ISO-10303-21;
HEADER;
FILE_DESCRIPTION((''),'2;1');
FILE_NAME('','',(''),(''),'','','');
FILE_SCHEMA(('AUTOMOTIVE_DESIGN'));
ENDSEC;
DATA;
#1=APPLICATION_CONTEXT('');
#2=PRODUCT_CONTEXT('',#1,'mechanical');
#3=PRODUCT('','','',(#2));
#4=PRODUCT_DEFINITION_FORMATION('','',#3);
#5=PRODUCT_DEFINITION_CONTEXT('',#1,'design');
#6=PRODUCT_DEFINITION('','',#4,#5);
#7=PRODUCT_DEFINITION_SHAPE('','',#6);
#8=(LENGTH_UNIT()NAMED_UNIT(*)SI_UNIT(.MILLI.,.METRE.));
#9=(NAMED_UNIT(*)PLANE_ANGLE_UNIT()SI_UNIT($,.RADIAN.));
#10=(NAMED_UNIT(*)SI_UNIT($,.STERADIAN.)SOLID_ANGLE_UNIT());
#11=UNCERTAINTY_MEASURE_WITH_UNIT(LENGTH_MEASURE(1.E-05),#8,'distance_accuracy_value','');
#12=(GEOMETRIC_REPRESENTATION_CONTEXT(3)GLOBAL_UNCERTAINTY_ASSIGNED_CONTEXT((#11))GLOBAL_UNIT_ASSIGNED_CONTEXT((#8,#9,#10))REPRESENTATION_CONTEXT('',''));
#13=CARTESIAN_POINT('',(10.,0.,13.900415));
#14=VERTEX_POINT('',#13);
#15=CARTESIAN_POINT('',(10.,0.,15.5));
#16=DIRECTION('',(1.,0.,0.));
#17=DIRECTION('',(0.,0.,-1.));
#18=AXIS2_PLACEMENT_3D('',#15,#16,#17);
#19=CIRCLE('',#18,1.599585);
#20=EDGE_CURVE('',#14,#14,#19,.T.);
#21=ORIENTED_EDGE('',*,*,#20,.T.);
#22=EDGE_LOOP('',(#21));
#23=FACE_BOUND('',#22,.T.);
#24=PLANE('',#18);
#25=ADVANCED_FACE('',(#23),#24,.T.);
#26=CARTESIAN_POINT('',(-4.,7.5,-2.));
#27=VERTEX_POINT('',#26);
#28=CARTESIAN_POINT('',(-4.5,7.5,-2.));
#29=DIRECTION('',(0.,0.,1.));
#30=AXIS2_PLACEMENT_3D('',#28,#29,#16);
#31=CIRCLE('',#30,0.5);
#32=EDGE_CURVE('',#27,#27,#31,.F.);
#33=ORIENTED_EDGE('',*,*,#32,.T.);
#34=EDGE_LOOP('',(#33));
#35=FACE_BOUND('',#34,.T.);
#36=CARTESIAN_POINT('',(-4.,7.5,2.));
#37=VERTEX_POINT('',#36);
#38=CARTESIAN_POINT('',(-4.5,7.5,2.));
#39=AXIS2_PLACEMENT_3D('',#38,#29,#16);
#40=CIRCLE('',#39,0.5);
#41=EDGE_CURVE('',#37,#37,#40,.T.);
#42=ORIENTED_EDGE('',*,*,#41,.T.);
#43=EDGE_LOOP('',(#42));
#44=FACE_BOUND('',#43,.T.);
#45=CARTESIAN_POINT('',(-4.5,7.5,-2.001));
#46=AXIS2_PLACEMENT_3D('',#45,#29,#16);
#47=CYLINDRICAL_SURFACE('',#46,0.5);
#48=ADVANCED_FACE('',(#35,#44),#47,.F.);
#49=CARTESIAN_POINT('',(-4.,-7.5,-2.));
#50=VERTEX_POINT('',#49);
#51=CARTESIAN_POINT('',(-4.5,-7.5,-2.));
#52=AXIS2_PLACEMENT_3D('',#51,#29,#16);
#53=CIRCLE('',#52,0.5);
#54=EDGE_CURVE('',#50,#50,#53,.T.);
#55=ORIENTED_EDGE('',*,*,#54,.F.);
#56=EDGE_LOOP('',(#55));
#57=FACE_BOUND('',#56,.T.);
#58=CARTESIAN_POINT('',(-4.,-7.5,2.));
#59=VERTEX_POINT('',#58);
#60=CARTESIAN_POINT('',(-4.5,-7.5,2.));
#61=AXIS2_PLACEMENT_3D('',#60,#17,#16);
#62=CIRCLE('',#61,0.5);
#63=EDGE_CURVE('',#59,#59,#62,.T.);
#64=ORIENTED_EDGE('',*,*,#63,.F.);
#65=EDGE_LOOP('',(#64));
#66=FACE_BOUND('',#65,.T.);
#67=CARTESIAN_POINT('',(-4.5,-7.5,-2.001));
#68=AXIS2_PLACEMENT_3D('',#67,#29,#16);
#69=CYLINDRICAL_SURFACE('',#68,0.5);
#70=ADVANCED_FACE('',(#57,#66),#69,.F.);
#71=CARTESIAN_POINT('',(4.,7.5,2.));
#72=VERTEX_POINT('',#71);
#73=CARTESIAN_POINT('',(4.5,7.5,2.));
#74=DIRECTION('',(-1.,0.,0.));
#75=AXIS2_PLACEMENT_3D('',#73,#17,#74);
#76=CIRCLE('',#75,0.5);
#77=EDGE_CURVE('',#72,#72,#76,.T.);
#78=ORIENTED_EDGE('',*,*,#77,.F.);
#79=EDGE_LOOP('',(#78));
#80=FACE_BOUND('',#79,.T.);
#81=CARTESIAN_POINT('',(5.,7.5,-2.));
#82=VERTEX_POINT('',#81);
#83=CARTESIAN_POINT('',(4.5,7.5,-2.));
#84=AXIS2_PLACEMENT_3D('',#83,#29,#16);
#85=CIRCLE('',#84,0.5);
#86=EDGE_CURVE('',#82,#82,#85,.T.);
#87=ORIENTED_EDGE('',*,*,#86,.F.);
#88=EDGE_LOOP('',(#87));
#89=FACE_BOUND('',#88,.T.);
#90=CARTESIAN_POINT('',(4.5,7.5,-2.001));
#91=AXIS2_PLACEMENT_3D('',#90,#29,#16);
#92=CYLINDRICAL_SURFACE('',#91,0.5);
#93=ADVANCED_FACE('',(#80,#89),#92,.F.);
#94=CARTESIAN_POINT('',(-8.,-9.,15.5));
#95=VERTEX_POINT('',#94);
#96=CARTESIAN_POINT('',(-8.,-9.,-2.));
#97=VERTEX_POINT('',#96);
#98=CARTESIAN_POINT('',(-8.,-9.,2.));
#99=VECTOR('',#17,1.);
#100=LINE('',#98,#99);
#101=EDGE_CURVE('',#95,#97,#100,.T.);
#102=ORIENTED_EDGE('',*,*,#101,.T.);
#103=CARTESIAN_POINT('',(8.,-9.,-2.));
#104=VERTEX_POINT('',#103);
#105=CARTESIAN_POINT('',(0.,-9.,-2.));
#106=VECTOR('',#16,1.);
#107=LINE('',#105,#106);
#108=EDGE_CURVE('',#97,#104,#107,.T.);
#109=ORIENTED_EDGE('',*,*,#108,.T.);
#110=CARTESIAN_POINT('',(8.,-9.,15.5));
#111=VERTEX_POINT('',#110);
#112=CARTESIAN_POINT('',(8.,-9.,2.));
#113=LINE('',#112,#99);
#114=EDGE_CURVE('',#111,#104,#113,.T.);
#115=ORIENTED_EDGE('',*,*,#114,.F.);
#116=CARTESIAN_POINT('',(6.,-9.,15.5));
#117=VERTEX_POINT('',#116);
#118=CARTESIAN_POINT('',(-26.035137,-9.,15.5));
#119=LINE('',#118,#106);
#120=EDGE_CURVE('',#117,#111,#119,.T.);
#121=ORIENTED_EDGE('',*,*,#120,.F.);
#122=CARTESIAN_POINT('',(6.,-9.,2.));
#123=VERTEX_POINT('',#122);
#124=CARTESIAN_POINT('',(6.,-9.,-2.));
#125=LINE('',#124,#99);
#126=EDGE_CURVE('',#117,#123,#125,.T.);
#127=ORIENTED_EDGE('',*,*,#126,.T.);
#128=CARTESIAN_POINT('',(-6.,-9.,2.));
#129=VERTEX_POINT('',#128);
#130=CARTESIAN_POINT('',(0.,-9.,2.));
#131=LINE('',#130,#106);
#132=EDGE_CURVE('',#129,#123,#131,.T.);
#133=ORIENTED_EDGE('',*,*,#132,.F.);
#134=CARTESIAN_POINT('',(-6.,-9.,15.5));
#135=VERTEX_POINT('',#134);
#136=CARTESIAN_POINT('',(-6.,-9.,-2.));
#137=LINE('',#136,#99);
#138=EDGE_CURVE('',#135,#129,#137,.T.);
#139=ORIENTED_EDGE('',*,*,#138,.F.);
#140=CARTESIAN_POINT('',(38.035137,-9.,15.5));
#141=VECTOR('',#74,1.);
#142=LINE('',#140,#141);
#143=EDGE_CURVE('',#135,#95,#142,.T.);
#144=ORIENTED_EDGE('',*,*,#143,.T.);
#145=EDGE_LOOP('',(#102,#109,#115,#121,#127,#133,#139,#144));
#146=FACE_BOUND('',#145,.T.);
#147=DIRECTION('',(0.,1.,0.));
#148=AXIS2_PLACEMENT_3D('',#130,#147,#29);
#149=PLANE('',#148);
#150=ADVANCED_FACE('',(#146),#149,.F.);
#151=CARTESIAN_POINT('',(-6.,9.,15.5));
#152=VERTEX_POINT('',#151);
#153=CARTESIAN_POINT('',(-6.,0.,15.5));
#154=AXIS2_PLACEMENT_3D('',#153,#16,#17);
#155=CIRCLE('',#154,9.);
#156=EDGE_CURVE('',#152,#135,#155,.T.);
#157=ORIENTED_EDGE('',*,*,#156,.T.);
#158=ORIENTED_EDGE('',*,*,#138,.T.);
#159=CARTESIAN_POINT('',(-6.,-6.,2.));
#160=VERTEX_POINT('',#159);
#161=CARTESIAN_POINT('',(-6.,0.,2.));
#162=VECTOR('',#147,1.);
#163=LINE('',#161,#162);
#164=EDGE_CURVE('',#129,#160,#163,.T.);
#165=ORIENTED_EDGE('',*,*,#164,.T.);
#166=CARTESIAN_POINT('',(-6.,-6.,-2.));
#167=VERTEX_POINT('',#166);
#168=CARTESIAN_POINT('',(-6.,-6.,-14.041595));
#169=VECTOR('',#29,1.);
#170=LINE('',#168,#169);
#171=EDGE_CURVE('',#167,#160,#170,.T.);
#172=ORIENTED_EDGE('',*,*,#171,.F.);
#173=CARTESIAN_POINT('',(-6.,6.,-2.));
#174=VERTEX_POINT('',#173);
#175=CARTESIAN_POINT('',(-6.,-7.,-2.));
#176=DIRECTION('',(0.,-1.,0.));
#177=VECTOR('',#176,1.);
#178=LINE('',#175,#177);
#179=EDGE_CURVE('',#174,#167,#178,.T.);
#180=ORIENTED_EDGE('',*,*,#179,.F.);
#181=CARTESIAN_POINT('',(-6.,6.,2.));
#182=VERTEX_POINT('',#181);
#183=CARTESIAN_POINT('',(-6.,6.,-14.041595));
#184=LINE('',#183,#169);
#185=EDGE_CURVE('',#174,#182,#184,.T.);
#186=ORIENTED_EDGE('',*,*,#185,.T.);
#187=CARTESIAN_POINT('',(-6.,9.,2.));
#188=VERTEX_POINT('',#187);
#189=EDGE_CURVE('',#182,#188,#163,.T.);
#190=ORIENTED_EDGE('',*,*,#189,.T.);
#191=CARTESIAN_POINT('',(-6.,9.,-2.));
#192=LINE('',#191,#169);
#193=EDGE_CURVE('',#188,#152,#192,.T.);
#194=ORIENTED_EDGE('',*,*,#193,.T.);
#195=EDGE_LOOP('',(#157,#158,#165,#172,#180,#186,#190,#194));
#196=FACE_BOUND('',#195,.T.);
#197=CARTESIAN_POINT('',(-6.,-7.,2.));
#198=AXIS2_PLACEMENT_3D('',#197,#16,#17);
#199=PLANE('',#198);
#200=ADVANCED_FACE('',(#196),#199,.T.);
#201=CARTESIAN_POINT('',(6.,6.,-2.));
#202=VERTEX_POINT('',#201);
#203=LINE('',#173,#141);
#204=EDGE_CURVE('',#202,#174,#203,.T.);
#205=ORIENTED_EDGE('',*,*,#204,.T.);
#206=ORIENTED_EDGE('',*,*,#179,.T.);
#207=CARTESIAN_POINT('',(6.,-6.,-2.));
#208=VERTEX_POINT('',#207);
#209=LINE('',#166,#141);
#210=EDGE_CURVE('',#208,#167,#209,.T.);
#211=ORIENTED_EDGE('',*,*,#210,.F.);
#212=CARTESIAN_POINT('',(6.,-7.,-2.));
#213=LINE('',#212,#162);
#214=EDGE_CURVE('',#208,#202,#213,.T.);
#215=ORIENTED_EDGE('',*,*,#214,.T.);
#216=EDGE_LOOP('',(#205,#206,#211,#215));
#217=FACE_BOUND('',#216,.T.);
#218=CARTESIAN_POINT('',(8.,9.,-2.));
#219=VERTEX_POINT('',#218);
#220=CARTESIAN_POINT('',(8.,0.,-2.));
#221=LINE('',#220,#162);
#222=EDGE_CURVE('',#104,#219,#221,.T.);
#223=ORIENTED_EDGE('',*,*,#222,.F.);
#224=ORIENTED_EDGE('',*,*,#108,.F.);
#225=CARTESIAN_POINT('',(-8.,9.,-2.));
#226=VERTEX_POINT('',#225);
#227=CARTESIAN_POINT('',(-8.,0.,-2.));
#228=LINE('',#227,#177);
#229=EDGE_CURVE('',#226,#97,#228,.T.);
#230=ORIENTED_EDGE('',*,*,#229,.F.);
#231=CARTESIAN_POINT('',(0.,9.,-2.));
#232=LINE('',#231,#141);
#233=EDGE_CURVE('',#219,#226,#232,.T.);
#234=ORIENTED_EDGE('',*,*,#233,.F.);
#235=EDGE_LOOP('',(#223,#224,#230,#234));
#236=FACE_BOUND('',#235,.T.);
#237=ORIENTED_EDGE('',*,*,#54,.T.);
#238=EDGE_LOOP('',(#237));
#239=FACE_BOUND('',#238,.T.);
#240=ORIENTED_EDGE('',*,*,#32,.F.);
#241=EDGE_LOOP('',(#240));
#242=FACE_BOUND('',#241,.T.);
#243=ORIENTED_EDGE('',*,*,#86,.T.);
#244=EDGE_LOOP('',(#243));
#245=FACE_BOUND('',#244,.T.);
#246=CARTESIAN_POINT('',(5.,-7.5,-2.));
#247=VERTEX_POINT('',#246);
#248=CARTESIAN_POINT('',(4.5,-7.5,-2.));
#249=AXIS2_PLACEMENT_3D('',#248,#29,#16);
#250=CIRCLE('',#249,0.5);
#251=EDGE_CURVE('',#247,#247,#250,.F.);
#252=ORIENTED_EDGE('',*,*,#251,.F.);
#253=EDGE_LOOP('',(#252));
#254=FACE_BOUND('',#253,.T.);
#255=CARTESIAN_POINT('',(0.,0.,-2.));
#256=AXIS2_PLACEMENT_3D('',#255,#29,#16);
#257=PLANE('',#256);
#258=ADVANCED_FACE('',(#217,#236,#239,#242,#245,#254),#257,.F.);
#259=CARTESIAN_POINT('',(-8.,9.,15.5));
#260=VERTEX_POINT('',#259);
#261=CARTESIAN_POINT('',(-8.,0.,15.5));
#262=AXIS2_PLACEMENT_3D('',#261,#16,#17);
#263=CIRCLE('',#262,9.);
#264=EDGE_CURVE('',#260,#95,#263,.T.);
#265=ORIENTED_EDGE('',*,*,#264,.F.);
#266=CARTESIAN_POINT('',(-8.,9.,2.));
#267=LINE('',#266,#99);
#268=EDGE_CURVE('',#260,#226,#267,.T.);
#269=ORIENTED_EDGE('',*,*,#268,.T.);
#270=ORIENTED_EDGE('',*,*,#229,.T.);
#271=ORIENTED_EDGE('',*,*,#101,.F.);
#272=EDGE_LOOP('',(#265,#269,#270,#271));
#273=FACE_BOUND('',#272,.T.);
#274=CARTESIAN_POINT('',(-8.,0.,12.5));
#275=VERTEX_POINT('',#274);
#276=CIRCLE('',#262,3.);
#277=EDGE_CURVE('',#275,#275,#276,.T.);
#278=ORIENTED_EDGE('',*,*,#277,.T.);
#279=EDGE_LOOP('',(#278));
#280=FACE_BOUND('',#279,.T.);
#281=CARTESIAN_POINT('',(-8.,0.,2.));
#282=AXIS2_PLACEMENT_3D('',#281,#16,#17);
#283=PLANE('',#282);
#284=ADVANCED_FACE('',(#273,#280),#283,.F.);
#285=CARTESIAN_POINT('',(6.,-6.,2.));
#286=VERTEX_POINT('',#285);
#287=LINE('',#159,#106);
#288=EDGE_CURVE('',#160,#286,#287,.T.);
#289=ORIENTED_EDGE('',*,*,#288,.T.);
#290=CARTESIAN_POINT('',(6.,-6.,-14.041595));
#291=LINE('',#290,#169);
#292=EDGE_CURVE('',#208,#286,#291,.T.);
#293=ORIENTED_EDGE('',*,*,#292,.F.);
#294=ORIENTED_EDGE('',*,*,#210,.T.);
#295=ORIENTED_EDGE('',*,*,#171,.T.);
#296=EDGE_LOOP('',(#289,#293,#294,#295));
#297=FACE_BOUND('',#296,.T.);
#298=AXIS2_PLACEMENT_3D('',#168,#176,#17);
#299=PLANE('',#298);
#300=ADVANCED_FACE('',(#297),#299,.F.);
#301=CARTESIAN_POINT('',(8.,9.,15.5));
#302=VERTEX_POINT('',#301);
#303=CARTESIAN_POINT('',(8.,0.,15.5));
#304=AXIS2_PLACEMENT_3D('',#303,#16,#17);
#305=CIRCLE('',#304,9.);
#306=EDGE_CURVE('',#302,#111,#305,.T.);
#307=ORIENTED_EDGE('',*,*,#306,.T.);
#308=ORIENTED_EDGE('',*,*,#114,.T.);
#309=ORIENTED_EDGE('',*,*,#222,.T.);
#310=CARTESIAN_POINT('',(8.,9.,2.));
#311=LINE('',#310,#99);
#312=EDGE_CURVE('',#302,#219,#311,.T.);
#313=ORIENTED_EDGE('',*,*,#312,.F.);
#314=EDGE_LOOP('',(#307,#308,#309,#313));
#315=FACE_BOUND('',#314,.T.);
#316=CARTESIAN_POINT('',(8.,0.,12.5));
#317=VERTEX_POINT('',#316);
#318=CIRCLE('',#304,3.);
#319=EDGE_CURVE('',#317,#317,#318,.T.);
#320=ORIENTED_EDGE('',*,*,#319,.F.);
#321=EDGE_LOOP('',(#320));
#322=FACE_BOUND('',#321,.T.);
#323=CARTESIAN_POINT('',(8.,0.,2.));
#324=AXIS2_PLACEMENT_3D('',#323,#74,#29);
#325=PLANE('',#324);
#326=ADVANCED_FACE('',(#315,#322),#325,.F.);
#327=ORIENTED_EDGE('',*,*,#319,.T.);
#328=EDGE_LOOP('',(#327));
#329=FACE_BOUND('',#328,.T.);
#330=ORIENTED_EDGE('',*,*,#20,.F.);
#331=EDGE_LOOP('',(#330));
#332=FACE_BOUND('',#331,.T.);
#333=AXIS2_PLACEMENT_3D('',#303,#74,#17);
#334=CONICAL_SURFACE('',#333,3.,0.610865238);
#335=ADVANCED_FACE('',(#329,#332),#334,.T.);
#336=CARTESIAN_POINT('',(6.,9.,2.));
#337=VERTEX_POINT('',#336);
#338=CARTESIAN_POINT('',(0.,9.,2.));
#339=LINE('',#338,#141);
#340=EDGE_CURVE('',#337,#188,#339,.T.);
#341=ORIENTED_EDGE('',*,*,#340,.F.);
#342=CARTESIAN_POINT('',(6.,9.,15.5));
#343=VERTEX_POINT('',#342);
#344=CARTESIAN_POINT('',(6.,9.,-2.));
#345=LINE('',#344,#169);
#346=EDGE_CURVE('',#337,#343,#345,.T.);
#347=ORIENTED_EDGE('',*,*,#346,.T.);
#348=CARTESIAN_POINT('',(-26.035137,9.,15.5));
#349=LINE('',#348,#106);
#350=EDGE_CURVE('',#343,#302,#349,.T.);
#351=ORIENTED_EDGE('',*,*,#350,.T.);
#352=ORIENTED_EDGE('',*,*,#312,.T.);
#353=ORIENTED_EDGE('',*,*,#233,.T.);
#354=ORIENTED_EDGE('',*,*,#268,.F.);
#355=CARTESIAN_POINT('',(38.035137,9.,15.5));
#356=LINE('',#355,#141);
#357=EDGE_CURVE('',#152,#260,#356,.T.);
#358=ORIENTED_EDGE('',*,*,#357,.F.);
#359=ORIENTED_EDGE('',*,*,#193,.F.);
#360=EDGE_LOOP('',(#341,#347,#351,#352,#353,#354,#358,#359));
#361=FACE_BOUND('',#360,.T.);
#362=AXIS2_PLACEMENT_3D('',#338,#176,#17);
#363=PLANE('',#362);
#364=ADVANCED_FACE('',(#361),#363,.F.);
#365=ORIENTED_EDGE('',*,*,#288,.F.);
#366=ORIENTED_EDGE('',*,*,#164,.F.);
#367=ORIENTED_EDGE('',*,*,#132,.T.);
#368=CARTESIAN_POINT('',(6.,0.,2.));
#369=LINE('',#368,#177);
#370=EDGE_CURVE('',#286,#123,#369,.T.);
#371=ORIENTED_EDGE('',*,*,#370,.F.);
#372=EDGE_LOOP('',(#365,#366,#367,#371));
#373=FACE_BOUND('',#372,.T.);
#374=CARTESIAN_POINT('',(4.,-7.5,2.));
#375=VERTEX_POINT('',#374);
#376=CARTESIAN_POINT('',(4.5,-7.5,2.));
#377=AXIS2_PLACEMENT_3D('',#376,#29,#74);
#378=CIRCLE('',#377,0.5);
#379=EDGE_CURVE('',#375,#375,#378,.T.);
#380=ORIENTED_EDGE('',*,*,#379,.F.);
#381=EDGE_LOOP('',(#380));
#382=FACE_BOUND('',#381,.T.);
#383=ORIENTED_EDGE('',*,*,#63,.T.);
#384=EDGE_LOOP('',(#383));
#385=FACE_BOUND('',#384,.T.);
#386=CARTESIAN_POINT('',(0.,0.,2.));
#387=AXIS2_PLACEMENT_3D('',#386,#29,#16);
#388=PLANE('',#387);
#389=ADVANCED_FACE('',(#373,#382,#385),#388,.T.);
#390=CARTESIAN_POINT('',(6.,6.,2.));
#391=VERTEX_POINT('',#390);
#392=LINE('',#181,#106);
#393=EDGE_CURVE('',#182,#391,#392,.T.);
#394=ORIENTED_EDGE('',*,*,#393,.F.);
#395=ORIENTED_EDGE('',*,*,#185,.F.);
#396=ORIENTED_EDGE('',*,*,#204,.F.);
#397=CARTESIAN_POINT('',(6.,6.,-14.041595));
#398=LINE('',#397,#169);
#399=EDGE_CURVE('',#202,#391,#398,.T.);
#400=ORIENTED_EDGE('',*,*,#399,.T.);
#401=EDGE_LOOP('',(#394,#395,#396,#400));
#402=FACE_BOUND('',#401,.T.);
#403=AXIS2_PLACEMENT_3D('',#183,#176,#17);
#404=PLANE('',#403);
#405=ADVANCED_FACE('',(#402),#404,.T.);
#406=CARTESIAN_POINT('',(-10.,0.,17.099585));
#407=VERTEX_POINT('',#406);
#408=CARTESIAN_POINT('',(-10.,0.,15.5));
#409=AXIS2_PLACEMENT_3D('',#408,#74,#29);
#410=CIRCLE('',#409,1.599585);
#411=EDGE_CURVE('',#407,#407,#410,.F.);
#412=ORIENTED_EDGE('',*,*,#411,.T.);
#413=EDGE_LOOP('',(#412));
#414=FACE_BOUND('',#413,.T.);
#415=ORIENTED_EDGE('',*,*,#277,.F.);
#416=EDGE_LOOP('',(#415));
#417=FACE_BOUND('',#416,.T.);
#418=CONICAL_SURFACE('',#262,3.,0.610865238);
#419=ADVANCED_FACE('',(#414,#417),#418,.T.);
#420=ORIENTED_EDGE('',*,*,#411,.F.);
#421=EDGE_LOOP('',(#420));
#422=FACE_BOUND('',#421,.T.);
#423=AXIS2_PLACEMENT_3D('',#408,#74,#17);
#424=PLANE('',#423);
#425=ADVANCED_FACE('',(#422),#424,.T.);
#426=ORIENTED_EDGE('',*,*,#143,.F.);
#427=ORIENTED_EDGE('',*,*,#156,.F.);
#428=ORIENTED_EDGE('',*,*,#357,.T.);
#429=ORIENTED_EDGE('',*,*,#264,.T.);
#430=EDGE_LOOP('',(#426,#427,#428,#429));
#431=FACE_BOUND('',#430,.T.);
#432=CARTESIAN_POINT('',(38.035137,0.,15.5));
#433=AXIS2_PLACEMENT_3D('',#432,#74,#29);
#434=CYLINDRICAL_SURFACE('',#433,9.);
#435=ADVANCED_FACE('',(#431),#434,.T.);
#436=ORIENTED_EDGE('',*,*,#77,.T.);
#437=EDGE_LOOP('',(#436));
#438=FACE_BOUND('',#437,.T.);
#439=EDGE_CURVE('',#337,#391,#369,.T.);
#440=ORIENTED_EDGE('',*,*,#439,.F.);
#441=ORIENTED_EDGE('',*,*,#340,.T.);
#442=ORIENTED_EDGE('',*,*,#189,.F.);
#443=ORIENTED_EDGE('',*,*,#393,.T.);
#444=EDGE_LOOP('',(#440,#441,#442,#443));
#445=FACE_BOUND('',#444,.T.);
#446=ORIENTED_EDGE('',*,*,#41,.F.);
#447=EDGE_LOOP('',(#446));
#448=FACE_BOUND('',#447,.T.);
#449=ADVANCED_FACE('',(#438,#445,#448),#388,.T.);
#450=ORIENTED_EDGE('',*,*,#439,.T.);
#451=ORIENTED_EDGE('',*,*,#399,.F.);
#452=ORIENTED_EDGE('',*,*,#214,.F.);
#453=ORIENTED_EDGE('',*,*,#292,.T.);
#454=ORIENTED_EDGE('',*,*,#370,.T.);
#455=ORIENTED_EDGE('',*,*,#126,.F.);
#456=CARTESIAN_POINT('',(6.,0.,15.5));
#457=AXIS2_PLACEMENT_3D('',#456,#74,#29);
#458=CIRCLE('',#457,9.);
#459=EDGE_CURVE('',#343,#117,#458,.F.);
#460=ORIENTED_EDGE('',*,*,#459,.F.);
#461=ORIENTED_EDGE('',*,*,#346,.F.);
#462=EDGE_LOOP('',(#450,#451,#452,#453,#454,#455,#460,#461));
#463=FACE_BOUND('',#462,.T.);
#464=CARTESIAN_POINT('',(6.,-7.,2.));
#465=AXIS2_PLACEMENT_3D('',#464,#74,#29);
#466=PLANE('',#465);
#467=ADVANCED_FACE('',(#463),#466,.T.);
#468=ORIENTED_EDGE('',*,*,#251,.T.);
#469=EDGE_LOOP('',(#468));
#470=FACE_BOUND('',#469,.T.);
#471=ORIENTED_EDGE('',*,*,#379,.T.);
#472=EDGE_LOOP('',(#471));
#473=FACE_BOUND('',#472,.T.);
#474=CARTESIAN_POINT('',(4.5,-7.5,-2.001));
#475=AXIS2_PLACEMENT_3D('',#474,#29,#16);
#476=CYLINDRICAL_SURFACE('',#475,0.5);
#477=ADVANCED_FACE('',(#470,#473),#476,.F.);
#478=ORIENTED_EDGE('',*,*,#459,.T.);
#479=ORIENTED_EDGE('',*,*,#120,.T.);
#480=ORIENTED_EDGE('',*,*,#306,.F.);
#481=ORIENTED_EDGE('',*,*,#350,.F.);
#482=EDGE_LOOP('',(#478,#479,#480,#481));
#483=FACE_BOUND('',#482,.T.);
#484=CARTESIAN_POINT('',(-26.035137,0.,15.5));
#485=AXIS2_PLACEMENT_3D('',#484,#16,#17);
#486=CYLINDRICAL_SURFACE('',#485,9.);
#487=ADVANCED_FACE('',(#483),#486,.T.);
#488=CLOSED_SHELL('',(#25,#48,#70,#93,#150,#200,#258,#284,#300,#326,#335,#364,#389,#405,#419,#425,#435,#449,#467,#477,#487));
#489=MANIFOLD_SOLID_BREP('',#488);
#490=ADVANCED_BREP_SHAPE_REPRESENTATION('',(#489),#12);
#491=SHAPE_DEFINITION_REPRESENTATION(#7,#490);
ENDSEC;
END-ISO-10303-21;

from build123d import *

# Parameters (mm, degrees)
SKETCH1_W                                  = 16
SKETCH1_H                                  = 18
SKETCH1_W_2                                = 12
SKETCH1_H_2                                = 14
EXTRUDE_THIN1_DEPTH                        = 2
BOSS_EXTRUDE1_DEPTH                        = 2
SKETCH3_R                                  = 3
BOSS_EXTRUDE2_DEPTH                        = 2
BOSS_EXTRUDE2_TAPER                        = 35
SKETCH13_W                                 = 12
SKETCH13_H                                 = 1
BOSS_EXTRUDE4_DEPTH                        = 4
CUT_EXTRUDE5_REACH                         = 28.215
SKETCH11_R                                 = 0.5
MIRROR4_AT_THE_SECOND_PLANE_COPY_1_REACH   = 28.215
MIRROR4_AT_THE_SECOND_PLANE_COPY_1_SKETC_R = 0.5


with BuildPart() as part:
    # Sketch1 → Extrude-Thin1 (new, symmetric)
    with BuildSketch(Plane.XY):
        Rectangle(SKETCH1_W, SKETCH1_H)
        Rectangle(SKETCH1_W_2, SKETCH1_H_2, mode=Mode.SUBTRACT)
    extrude_thin1 = extrude(amount=EXTRUDE_THIN1_DEPTH, both=True)

    # Sketch2 → Boss-Extrude1 (add)
    with BuildSketch(Plane(origin=(8, 0, 0), x_dir=(0, 0, -1), z_dir=(1, 0, 0))):
        with BuildLine():
            Line((2, 9), (-15.5, 9))
            ThreePointArc((-15.5, 9), (-24.5, 0), (-15.5, -9))
            Line((-15.5, -9), (2, -9))
            Line((2, -9), (2, 9))
        make_face()
    boss_extrude1 = extrude(amount=-BOSS_EXTRUDE1_DEPTH)

    # Sketch3 → Boss-Extrude2 (add)
    with BuildSketch(Plane(origin=(8, 0, 0), x_dir=(0, 0, -1), z_dir=(1, 0, 0))):
        with Locations((-15.5, 0)):
            Circle(SKETCH3_R)
    boss_extrude2 = extrude(amount=BOSS_EXTRUDE2_DEPTH, taper=BOSS_EXTRUDE2_TAPER)

    # Mirror3: Extrude-Thin1, Boss-Extrude1, Boss-Extrude2 across plane
    add(extrude_thin1.mirror(Plane(origin=(0, 0, 0), x_dir=(0, 0, 1), z_dir=(1, 0, 0))))
    add(boss_extrude1.mirror(Plane(origin=(0, 0, 0), x_dir=(0, 0, 1), z_dir=(1, 0, 0))))
    add(boss_extrude2.mirror(Plane(origin=(0, 0, 0), x_dir=(0, 0, 1), z_dir=(1, 0, 0))))

    # Sketch13 → Boss-Extrude4 (add)
    with BuildSketch(Plane.XY.offset(2)):
        with Locations((0, 6.5)):
            Rectangle(SKETCH13_W, SKETCH13_H)
    boss_extrude4 = extrude(amount=-BOSS_EXTRUDE4_DEPTH)

    # Mirror5: Boss-Extrude4 across plane
    add(boss_extrude4.mirror(Plane.ZX))

    # Sketch11 → Cut-Extrude5 (cut, up to next)
    with BuildSketch(Plane.XY.offset(2), mode=Mode.PRIVATE) as cut_extrude5_sk1:
        with Locations((-4.5, 7.5)):
            Circle(SKETCH11_R)
    cut_extrude5_tool1 = extrude(cut_extrude5_sk1.sketch, amount=-CUT_EXTRUDE5_REACH, mode=Mode.PRIVATE) & part.part
    cut_extrude5 = cut_extrude5_tool1.solids().sort_by_distance((-4.5, 7.5, 2))[0]
    add(cut_extrude5, mode=Mode.SUBTRACT)

    # Mirror4: Cut-Extrude5 across plane
    add(cut_extrude5.mirror(Plane.ZX), mode=Mode.SUBTRACT)

    # Mirror4 at the second plane: Cut-Extrude5 across plane
    add(cut_extrude5.mirror(Plane(origin=(0, 0, 0), x_dir=(0, 0, 1), z_dir=(1, 0, 0))), mode=Mode.SUBTRACT)

    # Mirror4 at the second plane copy 1 sketc → Mirror4 at the second plane copy 1 (cut, up to next)
    with BuildSketch(Plane(origin=(0, 0, 2), x_dir=(-1, 0, 0), z_dir=(0, 0, 1)), mode=Mode.PRIVATE) as mirror4_at_the_second_plane_copy_1_sk1:
        with Locations((-4.5, 7.5)):
            Circle(MIRROR4_AT_THE_SECOND_PLANE_COPY_1_SKETC_R)
    mirror4_at_the_second_plane_copy_1_tool1 = extrude(mirror4_at_the_second_plane_copy_1_sk1.sketch, amount=-MIRROR4_AT_THE_SECOND_PLANE_COPY_1_REACH, mode=Mode.PRIVATE) & part.part
    add(mirror4_at_the_second_plane_copy_1_tool1.solids().sort_by_distance((4.5, -7.5, 2))[0], mode=Mode.SUBTRACT)


solid = part.part
